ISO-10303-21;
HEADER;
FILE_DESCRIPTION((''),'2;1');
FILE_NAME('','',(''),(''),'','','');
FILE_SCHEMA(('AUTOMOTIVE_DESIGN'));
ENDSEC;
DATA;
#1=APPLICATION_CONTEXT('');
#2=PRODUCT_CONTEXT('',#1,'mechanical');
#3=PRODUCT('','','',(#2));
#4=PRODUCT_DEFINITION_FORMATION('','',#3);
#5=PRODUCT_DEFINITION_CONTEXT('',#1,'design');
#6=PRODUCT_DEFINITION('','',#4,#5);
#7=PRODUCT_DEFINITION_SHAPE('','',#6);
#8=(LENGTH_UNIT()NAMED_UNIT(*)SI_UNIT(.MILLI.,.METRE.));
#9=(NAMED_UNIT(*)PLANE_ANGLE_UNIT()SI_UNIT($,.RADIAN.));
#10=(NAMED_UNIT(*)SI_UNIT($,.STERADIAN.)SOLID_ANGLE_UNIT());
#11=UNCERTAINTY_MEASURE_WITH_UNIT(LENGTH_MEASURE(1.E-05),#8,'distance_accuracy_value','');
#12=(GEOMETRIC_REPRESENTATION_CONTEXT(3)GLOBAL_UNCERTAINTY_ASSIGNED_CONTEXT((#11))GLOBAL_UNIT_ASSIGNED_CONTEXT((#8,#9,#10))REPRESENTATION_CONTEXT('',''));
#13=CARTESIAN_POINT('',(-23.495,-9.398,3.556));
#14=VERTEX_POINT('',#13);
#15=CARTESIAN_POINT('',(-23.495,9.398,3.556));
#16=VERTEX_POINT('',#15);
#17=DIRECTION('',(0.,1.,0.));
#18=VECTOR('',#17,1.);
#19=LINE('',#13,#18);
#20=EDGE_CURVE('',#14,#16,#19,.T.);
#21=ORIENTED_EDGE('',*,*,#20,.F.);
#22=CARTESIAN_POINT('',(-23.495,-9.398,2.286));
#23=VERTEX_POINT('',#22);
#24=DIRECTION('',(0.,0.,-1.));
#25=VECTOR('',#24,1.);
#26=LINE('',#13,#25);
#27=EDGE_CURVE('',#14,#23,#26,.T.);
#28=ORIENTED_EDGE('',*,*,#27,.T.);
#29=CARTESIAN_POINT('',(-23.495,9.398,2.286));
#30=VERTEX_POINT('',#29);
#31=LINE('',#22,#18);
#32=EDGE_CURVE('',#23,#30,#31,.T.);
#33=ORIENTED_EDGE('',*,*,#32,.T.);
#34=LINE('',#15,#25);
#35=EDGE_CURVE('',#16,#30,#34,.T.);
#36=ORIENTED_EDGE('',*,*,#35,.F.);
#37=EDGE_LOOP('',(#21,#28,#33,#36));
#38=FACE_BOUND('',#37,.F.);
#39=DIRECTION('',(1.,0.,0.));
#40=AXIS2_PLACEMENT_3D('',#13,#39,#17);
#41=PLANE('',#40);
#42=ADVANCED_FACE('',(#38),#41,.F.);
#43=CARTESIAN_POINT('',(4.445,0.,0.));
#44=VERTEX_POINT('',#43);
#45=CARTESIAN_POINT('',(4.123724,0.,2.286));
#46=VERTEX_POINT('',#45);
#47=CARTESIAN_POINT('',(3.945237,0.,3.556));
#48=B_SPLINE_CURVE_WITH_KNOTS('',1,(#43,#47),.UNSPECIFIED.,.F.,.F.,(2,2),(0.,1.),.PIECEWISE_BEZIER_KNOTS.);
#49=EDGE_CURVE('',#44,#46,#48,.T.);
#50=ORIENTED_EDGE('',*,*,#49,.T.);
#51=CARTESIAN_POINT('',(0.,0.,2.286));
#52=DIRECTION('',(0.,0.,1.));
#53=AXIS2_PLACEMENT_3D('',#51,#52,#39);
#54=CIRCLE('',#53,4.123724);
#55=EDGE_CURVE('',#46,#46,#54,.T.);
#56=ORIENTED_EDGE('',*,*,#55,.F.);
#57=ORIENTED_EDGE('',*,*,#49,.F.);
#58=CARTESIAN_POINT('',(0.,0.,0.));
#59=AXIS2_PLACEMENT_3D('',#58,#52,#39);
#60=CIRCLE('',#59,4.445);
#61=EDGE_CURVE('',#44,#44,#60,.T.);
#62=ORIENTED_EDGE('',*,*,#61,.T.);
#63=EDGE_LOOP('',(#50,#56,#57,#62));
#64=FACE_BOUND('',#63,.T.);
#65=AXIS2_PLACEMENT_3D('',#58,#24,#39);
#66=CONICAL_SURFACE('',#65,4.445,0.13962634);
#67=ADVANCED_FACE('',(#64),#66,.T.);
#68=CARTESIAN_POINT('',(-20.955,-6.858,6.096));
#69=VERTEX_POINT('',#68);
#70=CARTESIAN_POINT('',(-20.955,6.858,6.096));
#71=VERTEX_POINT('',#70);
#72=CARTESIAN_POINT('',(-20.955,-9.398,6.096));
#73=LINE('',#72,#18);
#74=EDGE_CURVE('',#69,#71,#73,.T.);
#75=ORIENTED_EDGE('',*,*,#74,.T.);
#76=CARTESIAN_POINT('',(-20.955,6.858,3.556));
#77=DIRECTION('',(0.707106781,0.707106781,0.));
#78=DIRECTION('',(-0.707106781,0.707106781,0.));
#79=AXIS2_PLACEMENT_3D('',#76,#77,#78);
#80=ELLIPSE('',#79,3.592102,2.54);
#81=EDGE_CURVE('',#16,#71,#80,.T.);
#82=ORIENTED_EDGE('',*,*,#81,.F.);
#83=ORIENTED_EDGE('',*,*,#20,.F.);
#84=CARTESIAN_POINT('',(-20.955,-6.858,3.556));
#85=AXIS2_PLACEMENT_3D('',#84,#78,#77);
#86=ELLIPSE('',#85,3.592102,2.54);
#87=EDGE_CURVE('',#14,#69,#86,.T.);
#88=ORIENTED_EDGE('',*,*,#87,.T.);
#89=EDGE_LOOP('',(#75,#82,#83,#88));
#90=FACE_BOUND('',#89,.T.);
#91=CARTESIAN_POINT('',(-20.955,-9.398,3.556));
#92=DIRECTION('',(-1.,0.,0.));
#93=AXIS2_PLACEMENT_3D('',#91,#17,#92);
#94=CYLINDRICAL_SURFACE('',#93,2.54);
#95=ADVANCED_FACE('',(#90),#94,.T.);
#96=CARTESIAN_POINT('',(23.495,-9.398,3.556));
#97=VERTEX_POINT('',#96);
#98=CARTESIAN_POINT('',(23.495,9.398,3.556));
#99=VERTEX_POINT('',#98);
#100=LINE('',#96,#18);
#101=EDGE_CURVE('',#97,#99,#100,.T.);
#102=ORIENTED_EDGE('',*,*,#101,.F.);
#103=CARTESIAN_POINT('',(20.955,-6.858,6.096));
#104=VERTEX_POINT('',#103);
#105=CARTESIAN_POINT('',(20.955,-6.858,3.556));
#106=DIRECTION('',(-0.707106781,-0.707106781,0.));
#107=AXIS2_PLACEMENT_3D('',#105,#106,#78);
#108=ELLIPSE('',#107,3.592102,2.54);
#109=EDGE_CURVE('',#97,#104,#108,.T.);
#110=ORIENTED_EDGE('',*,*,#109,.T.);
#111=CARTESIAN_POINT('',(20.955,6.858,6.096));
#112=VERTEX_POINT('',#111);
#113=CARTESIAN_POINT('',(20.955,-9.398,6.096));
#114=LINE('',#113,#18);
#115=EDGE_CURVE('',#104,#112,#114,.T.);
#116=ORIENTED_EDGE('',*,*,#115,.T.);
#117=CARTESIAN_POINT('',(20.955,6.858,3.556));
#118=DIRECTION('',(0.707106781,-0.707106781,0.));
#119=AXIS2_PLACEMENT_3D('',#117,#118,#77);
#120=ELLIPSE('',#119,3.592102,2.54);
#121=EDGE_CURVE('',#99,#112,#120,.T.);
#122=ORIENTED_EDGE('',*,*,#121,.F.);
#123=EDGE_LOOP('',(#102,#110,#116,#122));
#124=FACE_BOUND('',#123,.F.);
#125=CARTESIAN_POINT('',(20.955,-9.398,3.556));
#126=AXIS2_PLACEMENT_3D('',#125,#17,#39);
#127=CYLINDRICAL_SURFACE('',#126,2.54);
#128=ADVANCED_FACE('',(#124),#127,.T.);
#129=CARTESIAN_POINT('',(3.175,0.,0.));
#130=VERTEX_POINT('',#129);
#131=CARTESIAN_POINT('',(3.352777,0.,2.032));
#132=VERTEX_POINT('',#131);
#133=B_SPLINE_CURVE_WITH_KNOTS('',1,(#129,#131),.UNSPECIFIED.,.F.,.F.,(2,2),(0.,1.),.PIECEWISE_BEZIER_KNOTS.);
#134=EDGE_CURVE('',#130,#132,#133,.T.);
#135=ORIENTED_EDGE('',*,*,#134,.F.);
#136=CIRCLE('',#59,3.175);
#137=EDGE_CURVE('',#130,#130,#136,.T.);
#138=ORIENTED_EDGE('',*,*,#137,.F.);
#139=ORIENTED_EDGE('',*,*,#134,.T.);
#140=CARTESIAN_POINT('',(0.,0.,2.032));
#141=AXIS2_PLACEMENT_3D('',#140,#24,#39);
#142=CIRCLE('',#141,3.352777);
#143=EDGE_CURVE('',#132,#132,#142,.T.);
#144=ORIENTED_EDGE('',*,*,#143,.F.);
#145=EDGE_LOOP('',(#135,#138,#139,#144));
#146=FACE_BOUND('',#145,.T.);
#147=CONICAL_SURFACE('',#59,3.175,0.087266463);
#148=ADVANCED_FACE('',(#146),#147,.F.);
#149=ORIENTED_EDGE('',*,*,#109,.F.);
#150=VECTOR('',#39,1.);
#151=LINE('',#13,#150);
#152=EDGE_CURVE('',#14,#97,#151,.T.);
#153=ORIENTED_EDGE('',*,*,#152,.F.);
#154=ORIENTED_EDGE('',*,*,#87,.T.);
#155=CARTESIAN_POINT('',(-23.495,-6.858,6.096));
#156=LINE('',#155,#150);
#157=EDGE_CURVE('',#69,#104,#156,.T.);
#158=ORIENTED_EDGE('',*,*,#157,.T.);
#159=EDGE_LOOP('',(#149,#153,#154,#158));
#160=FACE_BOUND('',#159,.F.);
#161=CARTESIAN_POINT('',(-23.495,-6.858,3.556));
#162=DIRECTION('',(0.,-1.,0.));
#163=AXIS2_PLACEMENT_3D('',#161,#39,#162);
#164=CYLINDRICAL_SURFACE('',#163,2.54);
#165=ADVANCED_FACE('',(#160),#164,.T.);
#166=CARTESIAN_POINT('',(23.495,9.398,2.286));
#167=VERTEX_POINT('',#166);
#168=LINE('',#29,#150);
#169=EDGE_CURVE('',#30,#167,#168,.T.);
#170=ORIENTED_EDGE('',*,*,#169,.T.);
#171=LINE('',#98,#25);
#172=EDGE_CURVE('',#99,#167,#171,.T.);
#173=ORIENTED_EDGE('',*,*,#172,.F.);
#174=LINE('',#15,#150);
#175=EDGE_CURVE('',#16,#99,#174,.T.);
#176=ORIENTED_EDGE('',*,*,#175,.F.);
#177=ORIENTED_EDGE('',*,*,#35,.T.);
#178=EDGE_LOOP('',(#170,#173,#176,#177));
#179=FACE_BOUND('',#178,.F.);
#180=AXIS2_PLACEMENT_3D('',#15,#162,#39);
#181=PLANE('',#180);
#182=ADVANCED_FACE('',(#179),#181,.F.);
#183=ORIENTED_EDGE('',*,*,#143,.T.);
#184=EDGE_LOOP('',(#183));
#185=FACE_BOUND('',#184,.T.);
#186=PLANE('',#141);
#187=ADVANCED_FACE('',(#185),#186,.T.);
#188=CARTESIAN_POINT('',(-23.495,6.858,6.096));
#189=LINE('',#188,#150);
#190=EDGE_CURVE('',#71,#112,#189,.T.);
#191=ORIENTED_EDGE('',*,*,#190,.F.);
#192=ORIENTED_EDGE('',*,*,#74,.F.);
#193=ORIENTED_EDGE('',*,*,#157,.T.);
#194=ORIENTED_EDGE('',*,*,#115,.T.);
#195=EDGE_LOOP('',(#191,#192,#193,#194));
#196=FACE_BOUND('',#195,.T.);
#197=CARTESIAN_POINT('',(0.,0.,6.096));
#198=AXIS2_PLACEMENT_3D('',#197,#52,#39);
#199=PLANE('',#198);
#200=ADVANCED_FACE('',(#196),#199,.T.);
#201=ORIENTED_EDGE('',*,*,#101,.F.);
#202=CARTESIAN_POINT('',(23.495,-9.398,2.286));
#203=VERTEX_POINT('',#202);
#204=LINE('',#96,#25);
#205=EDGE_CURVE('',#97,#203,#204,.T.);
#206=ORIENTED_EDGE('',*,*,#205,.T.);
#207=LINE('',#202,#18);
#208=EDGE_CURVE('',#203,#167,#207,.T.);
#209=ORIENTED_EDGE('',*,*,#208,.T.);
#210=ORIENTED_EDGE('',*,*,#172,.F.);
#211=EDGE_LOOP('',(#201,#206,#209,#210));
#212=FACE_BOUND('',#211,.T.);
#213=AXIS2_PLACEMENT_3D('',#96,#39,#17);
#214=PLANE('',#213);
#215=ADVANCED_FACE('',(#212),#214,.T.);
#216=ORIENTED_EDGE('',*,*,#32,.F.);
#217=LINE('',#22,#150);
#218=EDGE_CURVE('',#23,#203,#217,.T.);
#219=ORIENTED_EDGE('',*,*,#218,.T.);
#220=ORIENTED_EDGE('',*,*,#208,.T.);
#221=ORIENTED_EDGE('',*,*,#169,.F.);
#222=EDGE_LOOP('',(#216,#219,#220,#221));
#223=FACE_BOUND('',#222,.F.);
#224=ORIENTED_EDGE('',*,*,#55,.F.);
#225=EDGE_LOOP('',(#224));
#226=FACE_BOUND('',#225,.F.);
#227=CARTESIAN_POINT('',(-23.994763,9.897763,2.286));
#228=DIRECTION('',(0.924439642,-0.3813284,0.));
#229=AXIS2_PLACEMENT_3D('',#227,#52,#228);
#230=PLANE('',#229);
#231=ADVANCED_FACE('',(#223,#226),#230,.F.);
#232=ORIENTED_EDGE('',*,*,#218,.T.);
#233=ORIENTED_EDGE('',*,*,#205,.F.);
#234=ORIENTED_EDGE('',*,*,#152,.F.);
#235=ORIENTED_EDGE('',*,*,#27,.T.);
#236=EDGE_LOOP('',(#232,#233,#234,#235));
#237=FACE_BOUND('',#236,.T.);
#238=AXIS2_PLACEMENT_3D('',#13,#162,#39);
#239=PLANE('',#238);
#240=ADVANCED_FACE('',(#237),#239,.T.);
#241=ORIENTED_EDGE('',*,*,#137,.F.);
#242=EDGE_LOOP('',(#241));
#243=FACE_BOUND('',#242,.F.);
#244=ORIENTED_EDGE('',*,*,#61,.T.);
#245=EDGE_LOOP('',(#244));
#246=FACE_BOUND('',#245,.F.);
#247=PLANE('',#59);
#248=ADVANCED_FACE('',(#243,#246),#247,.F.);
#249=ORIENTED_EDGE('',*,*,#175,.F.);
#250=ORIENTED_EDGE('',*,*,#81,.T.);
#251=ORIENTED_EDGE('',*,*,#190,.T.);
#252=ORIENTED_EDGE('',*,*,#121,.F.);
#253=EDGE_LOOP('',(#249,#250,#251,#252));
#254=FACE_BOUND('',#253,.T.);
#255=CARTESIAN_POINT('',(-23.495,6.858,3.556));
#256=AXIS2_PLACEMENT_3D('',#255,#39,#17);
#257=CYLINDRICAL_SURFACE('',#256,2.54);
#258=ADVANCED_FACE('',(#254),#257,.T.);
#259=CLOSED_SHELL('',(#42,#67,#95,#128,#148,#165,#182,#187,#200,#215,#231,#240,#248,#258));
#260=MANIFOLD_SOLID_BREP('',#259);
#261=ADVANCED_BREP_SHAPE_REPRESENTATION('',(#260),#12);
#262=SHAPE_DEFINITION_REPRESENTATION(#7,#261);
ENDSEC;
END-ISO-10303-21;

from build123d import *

# Parameters (mm, degrees)
F0_W     = 46.99
F0_H     = 18.796
F1_DEPTH = 6.096
F2_R     = 2.54
F3_W     = 46.99
F3_H     = 18.796
F3_R     = 4.445
F4_DEPTH = 3.556
F4_TAPER = -8
F5_R     = 3.175
F6_DEPTH = 2.032
F6_TAPER = -5
F7_DEPTH = 1.27


with BuildPart() as f1:
    # F0 (on Top) → F1 (new body)
    with BuildSketch(Plane.XY):
        Rectangle(F0_W, F0_H)
    extrude(amount=F1_DEPTH)

    # F2
    f2_edges = [f1.edges().sort_by_distance(p)[0] for p in [
        (-23.495, 0, 6.096),
        (23.495, 0, 6.096),
        (0, -9.398, 6.096),
        (0, 9.398, 6.096),
    ]]
    fillet(f2_edges, radius=F2_R)

    # F3 (on face) → F4 (cut)
    with BuildSketch(Plane(origin=(0, 0, 0), x_dir=(1, 0, 0), z_dir=(0, 0, -1))):
        Rectangle(F3_W, F3_H)
        Circle(F3_R, mode=Mode.SUBTRACT)
    extrude(amount=-F4_DEPTH, taper=F4_TAPER, mode=Mode.SUBTRACT)

    # F5 (on face) → F6 (cut)
    with BuildSketch(Plane(origin=(0, 0, 0), x_dir=(1, 0, 0), z_dir=(0, 0, -1))):
        Circle(F5_R)
    extrude(amount=-F6_DEPTH, taper=F6_TAPER, mode=Mode.SUBTRACT)

    # F7 (add): a face of the model
    f7_faces = [f1.faces().sort_by_distance(p)[0] for p in [
        (22.9889022114, 0, 3.556),
    ]]
    extrude(f7_faces, amount=F7_DEPTH)


solid = f1.part
